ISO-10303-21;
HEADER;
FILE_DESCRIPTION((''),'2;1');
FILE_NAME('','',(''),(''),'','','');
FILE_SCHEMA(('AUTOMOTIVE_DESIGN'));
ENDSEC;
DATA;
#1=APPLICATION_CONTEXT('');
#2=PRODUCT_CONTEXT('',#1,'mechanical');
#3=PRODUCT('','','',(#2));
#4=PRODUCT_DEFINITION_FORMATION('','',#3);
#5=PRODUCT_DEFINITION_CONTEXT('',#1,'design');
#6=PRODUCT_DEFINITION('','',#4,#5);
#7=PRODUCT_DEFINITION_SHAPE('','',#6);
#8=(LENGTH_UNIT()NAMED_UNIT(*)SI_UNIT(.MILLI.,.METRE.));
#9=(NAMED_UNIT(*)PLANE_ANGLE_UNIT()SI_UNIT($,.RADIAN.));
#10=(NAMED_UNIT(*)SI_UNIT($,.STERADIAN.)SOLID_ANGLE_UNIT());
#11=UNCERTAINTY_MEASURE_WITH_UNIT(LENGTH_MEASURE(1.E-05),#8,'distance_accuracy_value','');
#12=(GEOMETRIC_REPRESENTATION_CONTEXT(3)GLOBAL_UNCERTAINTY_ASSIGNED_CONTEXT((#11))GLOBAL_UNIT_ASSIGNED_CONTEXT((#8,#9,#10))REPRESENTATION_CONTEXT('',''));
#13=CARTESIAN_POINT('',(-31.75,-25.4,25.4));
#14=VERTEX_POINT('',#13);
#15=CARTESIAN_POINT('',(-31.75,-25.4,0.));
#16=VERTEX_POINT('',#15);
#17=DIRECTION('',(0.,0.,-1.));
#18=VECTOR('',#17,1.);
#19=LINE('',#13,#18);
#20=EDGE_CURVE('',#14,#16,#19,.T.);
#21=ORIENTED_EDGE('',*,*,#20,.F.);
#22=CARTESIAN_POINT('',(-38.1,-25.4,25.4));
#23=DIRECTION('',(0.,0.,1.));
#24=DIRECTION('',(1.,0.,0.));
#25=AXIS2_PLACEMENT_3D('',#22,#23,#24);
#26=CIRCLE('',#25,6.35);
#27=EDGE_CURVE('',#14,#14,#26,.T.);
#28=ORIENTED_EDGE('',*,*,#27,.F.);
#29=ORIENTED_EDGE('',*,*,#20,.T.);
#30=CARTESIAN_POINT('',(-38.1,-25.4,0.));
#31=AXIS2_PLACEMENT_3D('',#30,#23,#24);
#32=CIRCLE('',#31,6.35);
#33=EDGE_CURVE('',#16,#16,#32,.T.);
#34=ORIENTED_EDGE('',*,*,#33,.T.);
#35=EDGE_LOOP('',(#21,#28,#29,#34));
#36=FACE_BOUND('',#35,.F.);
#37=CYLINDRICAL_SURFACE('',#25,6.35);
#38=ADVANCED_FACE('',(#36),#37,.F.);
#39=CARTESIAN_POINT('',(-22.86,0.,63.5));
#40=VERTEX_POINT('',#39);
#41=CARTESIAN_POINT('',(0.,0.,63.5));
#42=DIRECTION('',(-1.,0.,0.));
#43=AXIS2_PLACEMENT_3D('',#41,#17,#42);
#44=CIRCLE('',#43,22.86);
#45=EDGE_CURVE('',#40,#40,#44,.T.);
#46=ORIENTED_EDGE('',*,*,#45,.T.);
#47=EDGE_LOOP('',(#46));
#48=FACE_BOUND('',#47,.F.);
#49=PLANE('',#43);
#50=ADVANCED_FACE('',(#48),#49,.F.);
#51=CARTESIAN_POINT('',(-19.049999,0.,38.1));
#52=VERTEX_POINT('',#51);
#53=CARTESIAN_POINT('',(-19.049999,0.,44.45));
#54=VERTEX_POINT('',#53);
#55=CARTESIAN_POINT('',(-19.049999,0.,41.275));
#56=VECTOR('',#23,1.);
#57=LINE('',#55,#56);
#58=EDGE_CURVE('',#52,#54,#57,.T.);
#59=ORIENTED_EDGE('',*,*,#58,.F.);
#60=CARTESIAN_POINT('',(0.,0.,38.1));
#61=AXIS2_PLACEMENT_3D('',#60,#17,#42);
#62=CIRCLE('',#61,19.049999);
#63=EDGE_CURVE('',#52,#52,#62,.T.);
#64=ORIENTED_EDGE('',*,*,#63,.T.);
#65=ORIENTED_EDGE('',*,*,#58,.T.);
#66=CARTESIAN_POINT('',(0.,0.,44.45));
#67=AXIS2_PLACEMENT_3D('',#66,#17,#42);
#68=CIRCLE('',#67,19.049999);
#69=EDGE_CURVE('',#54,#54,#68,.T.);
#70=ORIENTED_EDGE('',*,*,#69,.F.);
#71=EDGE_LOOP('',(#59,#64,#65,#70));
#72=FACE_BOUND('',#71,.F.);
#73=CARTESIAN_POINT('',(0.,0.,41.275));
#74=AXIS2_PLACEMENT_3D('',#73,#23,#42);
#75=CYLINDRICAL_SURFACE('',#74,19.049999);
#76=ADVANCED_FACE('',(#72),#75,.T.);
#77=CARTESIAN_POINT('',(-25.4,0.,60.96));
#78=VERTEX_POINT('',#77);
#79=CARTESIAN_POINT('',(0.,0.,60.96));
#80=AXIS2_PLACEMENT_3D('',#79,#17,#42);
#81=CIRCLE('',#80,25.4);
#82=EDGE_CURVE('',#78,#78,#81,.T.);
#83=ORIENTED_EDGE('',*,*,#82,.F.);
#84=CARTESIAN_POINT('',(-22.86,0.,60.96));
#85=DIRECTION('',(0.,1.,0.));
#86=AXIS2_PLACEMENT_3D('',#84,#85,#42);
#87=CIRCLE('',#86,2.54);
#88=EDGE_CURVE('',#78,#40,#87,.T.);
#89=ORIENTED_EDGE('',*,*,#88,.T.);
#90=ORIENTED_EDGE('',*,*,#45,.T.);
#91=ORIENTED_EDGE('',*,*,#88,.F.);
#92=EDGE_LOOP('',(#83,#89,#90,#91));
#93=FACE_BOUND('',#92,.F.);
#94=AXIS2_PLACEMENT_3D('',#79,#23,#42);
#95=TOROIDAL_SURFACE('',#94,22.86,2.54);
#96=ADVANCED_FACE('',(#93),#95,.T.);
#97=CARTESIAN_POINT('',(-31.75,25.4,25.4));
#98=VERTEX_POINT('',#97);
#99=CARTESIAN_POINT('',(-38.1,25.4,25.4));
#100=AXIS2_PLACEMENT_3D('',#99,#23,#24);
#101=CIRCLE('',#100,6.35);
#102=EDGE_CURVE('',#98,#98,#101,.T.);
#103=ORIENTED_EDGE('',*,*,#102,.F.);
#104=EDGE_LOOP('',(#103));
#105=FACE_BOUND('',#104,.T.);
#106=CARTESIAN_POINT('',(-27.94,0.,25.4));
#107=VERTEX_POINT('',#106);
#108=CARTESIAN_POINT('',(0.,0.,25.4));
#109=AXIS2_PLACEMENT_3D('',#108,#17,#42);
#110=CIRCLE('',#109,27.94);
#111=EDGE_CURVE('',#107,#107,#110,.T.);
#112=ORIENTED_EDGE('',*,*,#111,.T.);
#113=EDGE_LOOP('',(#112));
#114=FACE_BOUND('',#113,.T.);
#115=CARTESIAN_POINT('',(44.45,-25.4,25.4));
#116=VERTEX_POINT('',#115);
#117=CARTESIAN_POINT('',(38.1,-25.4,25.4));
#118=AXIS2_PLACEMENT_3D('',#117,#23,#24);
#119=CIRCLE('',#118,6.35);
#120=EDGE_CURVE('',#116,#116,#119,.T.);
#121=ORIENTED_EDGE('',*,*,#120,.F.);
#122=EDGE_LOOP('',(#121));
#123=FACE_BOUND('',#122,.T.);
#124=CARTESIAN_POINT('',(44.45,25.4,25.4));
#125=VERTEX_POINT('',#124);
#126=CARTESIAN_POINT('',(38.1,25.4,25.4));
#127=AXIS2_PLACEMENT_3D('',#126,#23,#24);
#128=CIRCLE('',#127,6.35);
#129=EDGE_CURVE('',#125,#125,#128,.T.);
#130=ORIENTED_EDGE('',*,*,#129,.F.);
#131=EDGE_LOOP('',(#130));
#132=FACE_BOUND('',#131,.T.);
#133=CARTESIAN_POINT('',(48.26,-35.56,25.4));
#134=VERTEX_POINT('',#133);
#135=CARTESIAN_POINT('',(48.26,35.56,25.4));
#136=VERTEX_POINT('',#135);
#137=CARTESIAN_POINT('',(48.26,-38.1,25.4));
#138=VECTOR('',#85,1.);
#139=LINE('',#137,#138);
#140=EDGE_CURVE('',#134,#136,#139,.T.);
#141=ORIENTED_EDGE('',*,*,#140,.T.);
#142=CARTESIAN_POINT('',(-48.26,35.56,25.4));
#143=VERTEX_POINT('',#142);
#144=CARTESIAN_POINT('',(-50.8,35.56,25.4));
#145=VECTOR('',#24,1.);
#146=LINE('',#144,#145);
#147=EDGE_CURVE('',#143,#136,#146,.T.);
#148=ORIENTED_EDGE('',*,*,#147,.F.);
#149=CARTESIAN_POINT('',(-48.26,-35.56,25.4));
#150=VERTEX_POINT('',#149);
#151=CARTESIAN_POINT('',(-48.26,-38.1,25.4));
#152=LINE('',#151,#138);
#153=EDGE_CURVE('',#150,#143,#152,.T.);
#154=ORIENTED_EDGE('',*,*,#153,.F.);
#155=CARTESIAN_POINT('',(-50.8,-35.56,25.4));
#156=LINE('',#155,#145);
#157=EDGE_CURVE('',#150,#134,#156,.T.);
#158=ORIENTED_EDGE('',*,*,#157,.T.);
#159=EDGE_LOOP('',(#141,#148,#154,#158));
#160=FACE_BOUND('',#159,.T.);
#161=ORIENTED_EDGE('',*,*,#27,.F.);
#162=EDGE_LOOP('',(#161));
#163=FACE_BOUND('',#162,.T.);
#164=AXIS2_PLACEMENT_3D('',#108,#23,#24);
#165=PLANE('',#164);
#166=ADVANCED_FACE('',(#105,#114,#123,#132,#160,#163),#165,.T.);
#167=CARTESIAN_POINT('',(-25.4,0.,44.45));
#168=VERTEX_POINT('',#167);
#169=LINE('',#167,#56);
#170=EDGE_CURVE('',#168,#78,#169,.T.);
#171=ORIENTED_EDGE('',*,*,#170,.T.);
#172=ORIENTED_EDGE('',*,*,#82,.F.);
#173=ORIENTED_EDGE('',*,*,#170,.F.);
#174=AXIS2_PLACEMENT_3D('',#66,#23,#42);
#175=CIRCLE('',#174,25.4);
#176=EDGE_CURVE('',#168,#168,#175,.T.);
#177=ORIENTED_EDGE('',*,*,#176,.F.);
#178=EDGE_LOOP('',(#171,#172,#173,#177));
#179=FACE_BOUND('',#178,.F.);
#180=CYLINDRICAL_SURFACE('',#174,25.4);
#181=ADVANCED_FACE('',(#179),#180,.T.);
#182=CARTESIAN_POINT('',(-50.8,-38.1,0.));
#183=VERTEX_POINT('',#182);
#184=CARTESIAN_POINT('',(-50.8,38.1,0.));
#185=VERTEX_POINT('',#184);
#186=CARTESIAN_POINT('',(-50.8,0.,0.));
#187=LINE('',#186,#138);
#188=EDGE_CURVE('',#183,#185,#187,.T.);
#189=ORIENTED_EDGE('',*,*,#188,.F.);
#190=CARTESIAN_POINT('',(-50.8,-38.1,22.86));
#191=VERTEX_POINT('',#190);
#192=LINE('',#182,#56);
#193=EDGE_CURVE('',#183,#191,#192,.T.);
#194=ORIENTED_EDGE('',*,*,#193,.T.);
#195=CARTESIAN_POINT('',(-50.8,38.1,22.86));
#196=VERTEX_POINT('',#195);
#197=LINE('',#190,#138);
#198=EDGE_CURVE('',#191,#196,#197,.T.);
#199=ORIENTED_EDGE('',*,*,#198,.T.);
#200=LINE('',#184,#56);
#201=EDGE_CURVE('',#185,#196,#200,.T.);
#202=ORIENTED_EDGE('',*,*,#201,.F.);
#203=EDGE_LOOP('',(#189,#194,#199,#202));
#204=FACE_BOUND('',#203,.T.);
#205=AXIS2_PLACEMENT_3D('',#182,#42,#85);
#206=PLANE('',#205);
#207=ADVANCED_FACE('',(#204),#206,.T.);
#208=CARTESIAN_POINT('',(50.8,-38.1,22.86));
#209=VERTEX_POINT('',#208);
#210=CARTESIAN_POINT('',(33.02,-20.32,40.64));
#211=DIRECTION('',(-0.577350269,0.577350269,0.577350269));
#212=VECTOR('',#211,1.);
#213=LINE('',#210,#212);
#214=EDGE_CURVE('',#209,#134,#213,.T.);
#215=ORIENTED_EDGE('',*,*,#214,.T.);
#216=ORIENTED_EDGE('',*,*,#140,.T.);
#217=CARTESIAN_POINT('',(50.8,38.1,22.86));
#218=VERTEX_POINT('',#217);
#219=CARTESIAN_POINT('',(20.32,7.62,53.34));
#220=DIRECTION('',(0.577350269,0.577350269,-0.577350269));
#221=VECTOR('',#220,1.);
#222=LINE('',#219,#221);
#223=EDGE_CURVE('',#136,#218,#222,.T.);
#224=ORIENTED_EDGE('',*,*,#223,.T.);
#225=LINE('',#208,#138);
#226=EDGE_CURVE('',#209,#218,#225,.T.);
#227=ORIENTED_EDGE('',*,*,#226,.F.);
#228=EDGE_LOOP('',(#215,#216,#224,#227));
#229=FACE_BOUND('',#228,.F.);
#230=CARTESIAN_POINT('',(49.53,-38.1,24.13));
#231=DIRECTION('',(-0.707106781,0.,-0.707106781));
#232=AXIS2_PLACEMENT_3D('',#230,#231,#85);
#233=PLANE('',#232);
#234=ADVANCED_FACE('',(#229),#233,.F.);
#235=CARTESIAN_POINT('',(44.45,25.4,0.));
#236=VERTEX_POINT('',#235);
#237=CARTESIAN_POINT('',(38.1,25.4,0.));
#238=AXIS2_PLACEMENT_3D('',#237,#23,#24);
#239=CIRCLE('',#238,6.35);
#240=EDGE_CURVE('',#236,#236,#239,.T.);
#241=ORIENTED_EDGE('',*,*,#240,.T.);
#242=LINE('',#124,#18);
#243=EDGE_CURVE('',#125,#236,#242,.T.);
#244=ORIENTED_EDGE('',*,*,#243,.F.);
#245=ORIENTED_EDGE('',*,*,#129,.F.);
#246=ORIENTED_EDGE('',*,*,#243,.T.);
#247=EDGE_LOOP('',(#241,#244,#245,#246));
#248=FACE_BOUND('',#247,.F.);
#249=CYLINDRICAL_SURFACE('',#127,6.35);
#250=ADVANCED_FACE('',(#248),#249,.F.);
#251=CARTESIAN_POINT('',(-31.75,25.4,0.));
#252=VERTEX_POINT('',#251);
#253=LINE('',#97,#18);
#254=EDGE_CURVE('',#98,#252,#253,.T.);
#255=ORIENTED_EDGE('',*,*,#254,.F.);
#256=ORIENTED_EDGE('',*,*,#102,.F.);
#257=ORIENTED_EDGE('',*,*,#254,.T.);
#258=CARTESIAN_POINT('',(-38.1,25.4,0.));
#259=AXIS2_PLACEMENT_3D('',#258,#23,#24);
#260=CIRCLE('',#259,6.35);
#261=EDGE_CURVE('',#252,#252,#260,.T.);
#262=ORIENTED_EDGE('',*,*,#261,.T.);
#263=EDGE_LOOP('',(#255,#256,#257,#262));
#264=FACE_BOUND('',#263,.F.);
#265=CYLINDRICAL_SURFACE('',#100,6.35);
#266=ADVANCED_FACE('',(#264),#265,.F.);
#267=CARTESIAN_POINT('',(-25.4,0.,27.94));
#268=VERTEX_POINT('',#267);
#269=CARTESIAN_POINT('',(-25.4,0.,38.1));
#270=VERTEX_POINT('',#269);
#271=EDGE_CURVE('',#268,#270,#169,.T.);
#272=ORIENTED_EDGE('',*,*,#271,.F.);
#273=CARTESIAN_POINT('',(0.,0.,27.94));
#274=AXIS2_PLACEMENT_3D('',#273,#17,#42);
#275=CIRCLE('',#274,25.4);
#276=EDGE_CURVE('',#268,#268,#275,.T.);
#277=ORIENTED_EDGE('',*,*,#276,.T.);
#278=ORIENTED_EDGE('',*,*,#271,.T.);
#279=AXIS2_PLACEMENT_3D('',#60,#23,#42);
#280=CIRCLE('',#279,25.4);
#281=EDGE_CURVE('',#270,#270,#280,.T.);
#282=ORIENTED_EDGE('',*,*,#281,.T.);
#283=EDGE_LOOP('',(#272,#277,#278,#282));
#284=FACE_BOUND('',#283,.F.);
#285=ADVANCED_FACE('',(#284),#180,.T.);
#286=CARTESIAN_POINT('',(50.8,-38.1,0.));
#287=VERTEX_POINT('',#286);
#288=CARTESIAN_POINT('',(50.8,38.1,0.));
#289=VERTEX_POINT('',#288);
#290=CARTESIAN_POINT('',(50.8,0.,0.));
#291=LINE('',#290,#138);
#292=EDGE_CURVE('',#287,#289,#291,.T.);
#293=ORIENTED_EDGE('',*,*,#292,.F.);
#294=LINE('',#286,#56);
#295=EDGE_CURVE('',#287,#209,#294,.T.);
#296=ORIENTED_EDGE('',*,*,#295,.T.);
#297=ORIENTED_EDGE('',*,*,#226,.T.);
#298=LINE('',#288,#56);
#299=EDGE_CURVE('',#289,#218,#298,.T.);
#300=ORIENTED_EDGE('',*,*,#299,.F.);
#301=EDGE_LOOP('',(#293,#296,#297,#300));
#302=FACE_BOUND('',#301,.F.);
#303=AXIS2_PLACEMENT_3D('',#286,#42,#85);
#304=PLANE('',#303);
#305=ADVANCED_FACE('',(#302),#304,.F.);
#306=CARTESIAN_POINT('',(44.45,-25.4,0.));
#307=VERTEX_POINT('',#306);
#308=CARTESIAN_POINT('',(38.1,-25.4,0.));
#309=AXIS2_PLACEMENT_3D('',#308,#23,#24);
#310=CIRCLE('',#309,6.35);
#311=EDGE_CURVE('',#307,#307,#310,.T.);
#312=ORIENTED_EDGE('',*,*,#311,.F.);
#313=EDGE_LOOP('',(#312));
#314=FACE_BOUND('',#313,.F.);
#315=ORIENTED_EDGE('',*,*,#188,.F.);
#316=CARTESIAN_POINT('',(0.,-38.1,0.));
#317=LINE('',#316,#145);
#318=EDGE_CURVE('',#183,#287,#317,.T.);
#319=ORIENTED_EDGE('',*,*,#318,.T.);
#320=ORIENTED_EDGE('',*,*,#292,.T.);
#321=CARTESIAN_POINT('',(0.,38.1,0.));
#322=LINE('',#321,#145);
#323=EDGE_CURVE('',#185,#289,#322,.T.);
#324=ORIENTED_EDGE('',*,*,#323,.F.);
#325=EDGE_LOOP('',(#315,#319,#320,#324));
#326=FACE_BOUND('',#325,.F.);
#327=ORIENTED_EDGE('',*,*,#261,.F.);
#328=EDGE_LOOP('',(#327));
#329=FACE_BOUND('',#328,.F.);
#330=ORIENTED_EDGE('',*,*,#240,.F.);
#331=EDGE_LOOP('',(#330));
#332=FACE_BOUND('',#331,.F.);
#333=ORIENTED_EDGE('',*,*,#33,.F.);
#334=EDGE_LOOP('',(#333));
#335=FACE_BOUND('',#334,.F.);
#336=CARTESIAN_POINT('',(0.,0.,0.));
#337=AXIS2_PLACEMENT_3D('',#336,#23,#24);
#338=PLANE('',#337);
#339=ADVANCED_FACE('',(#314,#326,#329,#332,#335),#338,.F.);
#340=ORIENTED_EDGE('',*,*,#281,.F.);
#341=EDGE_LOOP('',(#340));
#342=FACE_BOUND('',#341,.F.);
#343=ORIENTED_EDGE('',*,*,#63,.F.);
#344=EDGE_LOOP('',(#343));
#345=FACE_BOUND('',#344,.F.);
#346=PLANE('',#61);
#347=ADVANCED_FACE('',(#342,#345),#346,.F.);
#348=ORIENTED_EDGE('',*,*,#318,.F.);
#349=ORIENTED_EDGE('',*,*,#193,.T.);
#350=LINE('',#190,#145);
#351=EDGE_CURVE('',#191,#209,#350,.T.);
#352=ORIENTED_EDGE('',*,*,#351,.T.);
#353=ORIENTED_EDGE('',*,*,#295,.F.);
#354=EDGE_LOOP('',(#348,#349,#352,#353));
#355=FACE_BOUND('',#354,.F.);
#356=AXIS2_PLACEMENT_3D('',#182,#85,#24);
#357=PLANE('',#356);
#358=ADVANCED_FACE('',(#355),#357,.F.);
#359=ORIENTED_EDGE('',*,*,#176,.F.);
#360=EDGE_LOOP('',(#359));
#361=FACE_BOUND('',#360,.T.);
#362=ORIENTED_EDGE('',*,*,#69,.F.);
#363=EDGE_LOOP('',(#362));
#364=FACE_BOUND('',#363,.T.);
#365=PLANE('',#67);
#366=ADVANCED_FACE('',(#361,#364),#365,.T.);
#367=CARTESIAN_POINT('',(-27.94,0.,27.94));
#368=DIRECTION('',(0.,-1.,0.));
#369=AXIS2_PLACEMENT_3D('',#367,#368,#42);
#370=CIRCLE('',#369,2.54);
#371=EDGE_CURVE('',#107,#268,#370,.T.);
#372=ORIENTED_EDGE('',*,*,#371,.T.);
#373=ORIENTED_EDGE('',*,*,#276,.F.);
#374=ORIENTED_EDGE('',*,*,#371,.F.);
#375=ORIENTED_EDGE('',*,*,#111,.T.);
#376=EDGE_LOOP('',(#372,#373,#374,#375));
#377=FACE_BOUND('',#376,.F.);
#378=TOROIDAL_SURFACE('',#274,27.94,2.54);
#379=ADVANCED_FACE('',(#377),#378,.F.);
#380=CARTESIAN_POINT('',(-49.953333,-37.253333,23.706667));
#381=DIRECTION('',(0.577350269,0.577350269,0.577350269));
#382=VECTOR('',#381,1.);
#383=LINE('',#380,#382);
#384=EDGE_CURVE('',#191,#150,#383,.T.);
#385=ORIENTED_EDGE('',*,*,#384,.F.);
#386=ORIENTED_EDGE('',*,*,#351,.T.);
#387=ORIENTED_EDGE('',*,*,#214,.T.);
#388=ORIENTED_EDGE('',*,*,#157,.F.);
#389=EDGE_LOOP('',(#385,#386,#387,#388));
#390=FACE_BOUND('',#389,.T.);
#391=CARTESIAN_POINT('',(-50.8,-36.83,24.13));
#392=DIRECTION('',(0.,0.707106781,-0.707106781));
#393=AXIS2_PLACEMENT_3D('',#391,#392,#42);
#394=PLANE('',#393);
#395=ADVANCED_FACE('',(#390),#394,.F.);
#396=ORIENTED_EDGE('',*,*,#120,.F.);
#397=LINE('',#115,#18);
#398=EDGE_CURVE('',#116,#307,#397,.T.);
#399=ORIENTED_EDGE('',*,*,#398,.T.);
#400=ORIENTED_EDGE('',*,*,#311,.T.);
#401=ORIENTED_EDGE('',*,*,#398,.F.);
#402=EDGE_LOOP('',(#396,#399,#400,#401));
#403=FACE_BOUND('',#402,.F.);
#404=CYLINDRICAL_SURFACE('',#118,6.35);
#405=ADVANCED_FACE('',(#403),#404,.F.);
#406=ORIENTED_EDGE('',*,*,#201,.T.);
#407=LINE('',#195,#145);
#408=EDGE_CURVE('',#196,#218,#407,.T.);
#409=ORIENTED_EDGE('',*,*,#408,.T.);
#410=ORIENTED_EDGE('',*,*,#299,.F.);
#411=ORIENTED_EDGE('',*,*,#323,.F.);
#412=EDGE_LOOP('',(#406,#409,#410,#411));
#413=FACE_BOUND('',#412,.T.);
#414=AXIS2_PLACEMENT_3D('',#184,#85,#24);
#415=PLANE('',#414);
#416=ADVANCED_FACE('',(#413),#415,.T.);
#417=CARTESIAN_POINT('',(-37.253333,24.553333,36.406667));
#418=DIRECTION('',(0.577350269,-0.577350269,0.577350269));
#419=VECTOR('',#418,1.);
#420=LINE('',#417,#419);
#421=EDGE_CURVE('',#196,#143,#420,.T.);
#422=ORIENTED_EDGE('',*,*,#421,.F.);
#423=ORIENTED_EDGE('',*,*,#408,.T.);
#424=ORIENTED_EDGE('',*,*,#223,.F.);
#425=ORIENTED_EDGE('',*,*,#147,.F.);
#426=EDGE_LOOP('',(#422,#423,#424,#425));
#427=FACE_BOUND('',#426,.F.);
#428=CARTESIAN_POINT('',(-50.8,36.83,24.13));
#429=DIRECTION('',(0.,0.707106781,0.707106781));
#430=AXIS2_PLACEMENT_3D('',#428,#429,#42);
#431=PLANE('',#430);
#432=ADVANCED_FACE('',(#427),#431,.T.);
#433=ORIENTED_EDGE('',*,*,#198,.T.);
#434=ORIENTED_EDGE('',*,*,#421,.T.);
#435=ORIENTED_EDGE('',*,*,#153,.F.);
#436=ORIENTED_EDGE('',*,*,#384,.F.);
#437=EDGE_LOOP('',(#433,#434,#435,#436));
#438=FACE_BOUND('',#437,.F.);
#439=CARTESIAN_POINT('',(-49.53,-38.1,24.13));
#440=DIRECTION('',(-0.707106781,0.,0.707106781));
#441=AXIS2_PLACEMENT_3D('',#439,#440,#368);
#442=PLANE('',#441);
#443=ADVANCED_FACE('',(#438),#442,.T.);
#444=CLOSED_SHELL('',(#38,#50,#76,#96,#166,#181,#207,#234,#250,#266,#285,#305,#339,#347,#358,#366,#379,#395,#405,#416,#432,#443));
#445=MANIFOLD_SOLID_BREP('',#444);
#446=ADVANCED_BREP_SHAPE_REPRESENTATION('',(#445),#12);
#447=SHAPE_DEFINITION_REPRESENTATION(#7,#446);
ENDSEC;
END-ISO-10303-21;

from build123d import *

# Parameters (mm, degrees)
F0_W     = 101.6
F0_H     = 76.2
F1_DEPTH = 25.4
F2_R     = 6.35
F3_DEPTH = 25.4
F4_W     = 25.4
F4_H     = 38.1
F6_W     = 23.010891
F6_H     = 6.35
F8_SIZE  = 2.54
F9_R     = 2.54


with BuildPart() as f1:
    # F0 (on Top) → F1 (new body)
    with BuildSketch(Plane.XY):
        Rectangle(F0_W, F0_H)
    extrude(amount=F1_DEPTH)

    # F2 (on face) → F3 (cut)
    with BuildSketch(Plane.XY.offset(25.4)):
        with Locations((-38.1, 25.4)):
            Circle(F2_R)
        with Locations((38.1, 25.4)):
            Circle(F2_R)
        with Locations((38.1, -25.4)):
            Circle(F2_R)
        with Locations((-38.1, -25.4)):
            Circle(F2_R)
    extrude(amount=-F3_DEPTH, mode=Mode.SUBTRACT)

    # F4 (on Front) → F5 (revolve)
    with BuildSketch(Plane.XZ):
        with Locations((-12.7, 44.45)):
            Rectangle(F4_W, F4_H)
    revolve(axis=Axis((0, 0, 44.45), (0, 0, -1)))

    # F6 (on Front) → F7 (revolve, cut)
    with BuildSketch(Plane.XZ):
        with Locations((-30.555445, 41.275)):
            Rectangle(F6_W, F6_H)
    revolve(axis=Axis((0, 0, 63.5), (0, 0, -1)), mode=Mode.SUBTRACT)

    # F8
    f8_edges = [f1.edges().sort_by_distance(p)[0] for p in [
        (0, -38.1, 25.4),
        (50.8, 0, 25.4),
        (-50.8, 0, 25.4),
        (0, 38.1, 25.4),
    ]]
    chamfer(f8_edges, length=F8_SIZE)

    # F9
    f9_edges = [f1.edges().sort_by_distance(p)[0] for p in [
        (25.4, 0, 63.5),
        (25.4, 0, 25.4),
    ]]
    fillet(f9_edges, radius=F9_R)


solid = f1.part
